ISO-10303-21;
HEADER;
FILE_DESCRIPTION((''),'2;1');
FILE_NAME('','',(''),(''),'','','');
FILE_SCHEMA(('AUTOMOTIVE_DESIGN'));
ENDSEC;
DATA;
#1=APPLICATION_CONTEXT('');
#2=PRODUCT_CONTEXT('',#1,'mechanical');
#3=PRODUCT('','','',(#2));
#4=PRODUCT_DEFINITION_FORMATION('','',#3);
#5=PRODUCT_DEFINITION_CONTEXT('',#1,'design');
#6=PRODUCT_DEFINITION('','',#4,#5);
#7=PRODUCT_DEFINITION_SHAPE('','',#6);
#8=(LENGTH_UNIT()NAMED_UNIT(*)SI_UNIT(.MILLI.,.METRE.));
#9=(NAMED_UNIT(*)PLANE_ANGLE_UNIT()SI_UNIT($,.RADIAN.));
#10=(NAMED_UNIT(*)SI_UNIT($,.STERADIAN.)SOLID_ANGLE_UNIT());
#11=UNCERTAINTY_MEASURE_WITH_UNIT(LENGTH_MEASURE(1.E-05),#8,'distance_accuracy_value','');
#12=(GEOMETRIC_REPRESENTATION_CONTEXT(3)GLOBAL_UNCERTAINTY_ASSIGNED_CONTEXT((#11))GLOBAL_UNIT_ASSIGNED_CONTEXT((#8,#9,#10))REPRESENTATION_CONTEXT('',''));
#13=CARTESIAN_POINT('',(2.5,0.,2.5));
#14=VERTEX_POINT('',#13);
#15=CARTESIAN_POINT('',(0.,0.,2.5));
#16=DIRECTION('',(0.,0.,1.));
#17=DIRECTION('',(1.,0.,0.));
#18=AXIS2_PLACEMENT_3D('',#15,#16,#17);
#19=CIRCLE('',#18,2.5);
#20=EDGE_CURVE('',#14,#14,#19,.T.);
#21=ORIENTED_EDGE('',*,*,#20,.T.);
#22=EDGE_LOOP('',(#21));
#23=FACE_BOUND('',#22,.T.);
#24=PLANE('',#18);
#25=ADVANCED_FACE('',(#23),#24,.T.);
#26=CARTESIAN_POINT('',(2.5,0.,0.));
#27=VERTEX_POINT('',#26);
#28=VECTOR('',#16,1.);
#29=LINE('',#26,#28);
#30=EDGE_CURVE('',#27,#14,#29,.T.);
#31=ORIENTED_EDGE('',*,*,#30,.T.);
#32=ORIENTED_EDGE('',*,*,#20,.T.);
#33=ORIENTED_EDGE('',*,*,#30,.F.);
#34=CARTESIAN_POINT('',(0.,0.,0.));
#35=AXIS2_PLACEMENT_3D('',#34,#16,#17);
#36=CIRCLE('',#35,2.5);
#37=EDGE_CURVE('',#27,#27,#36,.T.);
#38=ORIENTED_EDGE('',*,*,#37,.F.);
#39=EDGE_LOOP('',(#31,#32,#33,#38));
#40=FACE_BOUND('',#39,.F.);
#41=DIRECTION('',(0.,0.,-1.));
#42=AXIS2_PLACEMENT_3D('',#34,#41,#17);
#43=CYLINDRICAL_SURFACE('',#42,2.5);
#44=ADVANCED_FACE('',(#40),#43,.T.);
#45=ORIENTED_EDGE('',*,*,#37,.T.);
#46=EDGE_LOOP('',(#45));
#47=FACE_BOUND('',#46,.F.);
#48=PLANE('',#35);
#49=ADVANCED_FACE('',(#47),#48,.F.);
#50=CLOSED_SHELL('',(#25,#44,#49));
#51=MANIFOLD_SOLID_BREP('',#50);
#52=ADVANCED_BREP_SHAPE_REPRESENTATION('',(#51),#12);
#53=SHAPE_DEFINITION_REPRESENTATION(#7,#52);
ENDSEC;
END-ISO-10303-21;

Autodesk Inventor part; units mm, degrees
ref_plane "YZ Plane" through (0, 0, 0) normal (1, 0, 0) x (0, 1, 0)
ref_plane "XZ Plane" through (0, 0, 0) normal (0, 1, 0) x (-1, 0, 0)
ref_plane "XY Plane" through (0, 0, 0) normal (0, 0, 1) x (1, 0, 0)
sketch "Sketch1" plane through (0, 0, 0) normal (0, 0, 1) x (1, 0, 0)
  circle A0 centre (0, 0) radius 2.5
  dimension "d0" = 5
extrude "Extrusion1" add sketch "Sketch1" along normal blind 2.5
properties part number "Magnet"
